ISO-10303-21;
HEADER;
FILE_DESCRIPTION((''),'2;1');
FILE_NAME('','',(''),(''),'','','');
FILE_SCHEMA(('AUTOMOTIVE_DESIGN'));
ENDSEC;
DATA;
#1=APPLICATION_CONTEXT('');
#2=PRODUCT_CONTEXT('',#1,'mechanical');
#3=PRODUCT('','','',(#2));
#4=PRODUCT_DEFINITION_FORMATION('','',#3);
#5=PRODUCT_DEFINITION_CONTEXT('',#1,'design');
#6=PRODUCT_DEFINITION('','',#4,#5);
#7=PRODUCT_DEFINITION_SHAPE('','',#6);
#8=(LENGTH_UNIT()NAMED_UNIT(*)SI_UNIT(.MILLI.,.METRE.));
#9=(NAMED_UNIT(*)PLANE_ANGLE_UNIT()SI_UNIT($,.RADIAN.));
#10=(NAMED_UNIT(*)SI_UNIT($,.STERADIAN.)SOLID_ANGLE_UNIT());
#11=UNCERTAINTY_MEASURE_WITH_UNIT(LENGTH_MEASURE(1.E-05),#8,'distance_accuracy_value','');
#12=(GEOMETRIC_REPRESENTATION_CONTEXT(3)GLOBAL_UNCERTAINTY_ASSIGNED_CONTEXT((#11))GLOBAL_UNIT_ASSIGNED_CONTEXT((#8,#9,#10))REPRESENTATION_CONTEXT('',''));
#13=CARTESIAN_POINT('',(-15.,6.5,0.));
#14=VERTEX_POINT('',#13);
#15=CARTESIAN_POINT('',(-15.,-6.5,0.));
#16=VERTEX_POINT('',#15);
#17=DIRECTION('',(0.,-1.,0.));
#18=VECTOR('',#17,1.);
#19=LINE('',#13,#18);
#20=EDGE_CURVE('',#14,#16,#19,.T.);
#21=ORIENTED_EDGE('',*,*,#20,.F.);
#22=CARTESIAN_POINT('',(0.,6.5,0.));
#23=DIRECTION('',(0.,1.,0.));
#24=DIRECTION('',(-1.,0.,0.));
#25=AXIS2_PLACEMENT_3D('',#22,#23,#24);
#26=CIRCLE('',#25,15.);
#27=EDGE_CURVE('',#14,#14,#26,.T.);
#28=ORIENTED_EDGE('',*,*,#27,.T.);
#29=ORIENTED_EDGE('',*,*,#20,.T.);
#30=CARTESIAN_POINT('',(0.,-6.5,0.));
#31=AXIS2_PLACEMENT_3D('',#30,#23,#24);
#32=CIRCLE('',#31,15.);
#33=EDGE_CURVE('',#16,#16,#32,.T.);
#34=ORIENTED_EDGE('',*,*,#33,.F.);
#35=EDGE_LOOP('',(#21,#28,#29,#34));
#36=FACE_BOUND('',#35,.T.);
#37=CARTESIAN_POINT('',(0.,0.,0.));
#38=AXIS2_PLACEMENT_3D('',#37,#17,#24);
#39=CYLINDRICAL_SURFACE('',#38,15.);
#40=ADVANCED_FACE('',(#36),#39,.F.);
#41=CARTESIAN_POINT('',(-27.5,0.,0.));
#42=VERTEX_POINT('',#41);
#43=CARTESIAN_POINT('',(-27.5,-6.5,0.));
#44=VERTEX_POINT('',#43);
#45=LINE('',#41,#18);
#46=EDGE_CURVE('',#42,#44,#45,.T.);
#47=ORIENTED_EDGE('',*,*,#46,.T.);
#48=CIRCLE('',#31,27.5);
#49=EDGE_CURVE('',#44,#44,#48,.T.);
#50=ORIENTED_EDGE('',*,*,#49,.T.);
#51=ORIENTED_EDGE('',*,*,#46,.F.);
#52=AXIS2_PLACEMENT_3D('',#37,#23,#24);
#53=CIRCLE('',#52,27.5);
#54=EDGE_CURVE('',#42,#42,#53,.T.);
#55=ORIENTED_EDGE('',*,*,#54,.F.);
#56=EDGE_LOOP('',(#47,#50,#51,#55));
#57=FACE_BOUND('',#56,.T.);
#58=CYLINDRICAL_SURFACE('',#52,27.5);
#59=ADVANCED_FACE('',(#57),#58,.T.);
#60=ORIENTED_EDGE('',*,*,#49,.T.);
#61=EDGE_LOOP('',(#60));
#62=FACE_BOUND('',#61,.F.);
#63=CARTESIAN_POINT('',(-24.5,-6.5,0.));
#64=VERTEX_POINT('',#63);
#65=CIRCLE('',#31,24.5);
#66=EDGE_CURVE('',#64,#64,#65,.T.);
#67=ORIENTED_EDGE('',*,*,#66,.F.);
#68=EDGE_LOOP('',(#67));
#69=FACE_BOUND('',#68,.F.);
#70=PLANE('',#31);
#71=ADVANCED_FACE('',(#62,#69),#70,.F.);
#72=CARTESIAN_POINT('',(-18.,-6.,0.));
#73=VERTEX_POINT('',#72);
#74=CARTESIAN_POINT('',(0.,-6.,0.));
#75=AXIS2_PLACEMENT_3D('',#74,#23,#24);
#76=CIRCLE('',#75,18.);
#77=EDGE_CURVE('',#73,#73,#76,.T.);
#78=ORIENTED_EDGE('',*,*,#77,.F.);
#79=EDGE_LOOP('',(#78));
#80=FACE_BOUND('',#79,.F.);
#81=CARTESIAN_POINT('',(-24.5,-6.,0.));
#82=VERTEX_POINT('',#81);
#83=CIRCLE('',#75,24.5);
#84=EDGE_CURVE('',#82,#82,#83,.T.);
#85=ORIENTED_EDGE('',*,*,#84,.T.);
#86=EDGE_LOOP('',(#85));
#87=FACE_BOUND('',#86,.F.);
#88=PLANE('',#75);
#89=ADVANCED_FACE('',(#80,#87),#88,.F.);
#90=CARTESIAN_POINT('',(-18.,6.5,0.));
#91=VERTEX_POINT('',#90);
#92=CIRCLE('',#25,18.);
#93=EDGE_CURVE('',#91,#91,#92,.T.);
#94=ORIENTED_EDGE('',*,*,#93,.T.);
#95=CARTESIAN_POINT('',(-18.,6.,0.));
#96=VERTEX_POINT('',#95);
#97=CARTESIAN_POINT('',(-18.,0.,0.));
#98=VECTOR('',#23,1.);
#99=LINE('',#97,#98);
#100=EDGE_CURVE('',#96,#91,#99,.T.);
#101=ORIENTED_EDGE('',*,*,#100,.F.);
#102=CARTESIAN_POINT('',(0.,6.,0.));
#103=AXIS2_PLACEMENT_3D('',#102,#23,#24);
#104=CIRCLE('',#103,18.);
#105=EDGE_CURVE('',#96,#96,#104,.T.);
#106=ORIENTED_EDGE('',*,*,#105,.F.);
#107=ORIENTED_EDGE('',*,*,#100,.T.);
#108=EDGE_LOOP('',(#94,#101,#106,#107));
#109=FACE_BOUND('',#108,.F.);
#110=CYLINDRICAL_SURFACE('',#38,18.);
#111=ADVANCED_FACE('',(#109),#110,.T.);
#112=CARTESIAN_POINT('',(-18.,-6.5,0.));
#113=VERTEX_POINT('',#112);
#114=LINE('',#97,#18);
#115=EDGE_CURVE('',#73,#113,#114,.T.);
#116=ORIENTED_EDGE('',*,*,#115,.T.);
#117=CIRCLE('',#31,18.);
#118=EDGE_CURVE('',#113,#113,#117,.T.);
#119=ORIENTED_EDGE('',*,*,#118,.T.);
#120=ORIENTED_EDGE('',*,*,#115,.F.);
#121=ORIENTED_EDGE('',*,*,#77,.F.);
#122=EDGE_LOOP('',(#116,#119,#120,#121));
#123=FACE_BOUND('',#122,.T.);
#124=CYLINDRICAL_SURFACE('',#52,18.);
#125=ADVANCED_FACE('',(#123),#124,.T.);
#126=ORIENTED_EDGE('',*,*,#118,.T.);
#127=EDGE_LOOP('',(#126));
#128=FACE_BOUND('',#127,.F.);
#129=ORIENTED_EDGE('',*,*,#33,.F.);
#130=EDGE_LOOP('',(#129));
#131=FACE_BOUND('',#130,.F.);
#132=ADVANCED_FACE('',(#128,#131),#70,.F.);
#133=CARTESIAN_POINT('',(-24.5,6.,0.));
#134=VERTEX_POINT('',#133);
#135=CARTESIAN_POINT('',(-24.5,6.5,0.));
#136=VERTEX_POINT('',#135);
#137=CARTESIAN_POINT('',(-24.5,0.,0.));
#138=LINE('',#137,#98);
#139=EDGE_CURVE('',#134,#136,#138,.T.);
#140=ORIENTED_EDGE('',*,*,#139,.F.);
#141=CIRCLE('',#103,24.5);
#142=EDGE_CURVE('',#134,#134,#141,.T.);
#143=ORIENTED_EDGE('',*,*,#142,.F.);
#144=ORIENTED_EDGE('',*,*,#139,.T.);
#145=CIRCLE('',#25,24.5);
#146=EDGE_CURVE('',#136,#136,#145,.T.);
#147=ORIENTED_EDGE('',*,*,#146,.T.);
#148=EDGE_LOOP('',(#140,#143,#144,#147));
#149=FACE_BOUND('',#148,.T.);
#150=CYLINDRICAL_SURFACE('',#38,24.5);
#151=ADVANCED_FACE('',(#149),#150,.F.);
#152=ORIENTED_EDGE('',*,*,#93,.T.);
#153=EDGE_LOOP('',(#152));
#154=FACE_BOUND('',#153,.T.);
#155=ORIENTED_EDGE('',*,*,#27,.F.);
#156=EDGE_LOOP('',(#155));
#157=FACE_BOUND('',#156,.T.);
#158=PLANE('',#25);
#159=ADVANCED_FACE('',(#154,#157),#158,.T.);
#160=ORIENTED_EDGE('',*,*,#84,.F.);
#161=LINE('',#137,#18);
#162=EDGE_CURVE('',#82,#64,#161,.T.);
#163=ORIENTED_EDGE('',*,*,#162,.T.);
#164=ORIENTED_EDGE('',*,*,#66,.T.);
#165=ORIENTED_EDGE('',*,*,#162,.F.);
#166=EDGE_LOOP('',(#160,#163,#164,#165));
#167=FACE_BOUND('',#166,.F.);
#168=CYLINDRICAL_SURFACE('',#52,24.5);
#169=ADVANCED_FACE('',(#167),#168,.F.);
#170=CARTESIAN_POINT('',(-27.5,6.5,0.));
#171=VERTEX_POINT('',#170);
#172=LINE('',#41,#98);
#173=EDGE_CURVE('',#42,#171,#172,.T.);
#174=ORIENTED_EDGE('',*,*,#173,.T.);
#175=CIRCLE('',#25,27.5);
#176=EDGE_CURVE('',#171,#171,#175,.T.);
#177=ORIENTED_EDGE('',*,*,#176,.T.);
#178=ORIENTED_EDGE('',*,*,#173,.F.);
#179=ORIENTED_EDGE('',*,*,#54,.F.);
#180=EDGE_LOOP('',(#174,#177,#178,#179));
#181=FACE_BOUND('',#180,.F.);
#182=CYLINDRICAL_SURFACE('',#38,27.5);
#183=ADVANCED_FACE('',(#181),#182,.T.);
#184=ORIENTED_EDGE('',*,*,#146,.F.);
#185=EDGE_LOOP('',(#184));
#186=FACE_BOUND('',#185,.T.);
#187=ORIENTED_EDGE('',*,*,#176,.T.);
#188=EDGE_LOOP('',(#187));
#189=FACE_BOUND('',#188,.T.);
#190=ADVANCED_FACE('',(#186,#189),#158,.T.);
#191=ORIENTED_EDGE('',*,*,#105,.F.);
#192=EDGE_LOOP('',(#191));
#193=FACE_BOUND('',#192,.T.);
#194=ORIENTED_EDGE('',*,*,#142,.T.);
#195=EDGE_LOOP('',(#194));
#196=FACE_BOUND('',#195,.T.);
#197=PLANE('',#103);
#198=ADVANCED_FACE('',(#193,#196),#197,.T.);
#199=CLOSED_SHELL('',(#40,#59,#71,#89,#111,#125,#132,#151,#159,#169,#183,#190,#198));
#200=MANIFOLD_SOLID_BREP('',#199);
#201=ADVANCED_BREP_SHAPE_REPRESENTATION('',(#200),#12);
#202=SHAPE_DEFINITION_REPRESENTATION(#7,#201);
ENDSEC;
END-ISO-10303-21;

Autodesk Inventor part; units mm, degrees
ref_plane "YZ Plane" through (0, 0, 0) normal (1, 0, 0) x (0, 1, 0)
ref_plane "XZ Plane" through (0, 0, 0) normal (0, 1, 0) x (-1, 0, 0)
ref_plane "XY Plane" through (0, 0, 0) normal (0, 0, 1) x (1, 0, 0)
sketch "Sketch1" plane through (0, 0, 0) normal (0, 1, 0) x (-1, 0, 0)
  circle A0 centre (0, 0) radius 15
  circle A1 centre (0, 0) radius 18
  circle A2 centre (0, 0) radius 27.5
  circle A3 centre (0, 0) radius 24.5
  dimension "d0" = 30
  dimension "d2" = 55
  dimension "d3" = 3
  dimension "d4" = 3
extrude "Extrusion1" add sketch "Sketch1" along normal mid plane 13
extrude "Extrusion2" add sketch "Sketch1" along normal mid plane 12 contours A3
properties part number "Bearing 6006 ZZ - 30x55x13mm" material "Stainless Steel"
